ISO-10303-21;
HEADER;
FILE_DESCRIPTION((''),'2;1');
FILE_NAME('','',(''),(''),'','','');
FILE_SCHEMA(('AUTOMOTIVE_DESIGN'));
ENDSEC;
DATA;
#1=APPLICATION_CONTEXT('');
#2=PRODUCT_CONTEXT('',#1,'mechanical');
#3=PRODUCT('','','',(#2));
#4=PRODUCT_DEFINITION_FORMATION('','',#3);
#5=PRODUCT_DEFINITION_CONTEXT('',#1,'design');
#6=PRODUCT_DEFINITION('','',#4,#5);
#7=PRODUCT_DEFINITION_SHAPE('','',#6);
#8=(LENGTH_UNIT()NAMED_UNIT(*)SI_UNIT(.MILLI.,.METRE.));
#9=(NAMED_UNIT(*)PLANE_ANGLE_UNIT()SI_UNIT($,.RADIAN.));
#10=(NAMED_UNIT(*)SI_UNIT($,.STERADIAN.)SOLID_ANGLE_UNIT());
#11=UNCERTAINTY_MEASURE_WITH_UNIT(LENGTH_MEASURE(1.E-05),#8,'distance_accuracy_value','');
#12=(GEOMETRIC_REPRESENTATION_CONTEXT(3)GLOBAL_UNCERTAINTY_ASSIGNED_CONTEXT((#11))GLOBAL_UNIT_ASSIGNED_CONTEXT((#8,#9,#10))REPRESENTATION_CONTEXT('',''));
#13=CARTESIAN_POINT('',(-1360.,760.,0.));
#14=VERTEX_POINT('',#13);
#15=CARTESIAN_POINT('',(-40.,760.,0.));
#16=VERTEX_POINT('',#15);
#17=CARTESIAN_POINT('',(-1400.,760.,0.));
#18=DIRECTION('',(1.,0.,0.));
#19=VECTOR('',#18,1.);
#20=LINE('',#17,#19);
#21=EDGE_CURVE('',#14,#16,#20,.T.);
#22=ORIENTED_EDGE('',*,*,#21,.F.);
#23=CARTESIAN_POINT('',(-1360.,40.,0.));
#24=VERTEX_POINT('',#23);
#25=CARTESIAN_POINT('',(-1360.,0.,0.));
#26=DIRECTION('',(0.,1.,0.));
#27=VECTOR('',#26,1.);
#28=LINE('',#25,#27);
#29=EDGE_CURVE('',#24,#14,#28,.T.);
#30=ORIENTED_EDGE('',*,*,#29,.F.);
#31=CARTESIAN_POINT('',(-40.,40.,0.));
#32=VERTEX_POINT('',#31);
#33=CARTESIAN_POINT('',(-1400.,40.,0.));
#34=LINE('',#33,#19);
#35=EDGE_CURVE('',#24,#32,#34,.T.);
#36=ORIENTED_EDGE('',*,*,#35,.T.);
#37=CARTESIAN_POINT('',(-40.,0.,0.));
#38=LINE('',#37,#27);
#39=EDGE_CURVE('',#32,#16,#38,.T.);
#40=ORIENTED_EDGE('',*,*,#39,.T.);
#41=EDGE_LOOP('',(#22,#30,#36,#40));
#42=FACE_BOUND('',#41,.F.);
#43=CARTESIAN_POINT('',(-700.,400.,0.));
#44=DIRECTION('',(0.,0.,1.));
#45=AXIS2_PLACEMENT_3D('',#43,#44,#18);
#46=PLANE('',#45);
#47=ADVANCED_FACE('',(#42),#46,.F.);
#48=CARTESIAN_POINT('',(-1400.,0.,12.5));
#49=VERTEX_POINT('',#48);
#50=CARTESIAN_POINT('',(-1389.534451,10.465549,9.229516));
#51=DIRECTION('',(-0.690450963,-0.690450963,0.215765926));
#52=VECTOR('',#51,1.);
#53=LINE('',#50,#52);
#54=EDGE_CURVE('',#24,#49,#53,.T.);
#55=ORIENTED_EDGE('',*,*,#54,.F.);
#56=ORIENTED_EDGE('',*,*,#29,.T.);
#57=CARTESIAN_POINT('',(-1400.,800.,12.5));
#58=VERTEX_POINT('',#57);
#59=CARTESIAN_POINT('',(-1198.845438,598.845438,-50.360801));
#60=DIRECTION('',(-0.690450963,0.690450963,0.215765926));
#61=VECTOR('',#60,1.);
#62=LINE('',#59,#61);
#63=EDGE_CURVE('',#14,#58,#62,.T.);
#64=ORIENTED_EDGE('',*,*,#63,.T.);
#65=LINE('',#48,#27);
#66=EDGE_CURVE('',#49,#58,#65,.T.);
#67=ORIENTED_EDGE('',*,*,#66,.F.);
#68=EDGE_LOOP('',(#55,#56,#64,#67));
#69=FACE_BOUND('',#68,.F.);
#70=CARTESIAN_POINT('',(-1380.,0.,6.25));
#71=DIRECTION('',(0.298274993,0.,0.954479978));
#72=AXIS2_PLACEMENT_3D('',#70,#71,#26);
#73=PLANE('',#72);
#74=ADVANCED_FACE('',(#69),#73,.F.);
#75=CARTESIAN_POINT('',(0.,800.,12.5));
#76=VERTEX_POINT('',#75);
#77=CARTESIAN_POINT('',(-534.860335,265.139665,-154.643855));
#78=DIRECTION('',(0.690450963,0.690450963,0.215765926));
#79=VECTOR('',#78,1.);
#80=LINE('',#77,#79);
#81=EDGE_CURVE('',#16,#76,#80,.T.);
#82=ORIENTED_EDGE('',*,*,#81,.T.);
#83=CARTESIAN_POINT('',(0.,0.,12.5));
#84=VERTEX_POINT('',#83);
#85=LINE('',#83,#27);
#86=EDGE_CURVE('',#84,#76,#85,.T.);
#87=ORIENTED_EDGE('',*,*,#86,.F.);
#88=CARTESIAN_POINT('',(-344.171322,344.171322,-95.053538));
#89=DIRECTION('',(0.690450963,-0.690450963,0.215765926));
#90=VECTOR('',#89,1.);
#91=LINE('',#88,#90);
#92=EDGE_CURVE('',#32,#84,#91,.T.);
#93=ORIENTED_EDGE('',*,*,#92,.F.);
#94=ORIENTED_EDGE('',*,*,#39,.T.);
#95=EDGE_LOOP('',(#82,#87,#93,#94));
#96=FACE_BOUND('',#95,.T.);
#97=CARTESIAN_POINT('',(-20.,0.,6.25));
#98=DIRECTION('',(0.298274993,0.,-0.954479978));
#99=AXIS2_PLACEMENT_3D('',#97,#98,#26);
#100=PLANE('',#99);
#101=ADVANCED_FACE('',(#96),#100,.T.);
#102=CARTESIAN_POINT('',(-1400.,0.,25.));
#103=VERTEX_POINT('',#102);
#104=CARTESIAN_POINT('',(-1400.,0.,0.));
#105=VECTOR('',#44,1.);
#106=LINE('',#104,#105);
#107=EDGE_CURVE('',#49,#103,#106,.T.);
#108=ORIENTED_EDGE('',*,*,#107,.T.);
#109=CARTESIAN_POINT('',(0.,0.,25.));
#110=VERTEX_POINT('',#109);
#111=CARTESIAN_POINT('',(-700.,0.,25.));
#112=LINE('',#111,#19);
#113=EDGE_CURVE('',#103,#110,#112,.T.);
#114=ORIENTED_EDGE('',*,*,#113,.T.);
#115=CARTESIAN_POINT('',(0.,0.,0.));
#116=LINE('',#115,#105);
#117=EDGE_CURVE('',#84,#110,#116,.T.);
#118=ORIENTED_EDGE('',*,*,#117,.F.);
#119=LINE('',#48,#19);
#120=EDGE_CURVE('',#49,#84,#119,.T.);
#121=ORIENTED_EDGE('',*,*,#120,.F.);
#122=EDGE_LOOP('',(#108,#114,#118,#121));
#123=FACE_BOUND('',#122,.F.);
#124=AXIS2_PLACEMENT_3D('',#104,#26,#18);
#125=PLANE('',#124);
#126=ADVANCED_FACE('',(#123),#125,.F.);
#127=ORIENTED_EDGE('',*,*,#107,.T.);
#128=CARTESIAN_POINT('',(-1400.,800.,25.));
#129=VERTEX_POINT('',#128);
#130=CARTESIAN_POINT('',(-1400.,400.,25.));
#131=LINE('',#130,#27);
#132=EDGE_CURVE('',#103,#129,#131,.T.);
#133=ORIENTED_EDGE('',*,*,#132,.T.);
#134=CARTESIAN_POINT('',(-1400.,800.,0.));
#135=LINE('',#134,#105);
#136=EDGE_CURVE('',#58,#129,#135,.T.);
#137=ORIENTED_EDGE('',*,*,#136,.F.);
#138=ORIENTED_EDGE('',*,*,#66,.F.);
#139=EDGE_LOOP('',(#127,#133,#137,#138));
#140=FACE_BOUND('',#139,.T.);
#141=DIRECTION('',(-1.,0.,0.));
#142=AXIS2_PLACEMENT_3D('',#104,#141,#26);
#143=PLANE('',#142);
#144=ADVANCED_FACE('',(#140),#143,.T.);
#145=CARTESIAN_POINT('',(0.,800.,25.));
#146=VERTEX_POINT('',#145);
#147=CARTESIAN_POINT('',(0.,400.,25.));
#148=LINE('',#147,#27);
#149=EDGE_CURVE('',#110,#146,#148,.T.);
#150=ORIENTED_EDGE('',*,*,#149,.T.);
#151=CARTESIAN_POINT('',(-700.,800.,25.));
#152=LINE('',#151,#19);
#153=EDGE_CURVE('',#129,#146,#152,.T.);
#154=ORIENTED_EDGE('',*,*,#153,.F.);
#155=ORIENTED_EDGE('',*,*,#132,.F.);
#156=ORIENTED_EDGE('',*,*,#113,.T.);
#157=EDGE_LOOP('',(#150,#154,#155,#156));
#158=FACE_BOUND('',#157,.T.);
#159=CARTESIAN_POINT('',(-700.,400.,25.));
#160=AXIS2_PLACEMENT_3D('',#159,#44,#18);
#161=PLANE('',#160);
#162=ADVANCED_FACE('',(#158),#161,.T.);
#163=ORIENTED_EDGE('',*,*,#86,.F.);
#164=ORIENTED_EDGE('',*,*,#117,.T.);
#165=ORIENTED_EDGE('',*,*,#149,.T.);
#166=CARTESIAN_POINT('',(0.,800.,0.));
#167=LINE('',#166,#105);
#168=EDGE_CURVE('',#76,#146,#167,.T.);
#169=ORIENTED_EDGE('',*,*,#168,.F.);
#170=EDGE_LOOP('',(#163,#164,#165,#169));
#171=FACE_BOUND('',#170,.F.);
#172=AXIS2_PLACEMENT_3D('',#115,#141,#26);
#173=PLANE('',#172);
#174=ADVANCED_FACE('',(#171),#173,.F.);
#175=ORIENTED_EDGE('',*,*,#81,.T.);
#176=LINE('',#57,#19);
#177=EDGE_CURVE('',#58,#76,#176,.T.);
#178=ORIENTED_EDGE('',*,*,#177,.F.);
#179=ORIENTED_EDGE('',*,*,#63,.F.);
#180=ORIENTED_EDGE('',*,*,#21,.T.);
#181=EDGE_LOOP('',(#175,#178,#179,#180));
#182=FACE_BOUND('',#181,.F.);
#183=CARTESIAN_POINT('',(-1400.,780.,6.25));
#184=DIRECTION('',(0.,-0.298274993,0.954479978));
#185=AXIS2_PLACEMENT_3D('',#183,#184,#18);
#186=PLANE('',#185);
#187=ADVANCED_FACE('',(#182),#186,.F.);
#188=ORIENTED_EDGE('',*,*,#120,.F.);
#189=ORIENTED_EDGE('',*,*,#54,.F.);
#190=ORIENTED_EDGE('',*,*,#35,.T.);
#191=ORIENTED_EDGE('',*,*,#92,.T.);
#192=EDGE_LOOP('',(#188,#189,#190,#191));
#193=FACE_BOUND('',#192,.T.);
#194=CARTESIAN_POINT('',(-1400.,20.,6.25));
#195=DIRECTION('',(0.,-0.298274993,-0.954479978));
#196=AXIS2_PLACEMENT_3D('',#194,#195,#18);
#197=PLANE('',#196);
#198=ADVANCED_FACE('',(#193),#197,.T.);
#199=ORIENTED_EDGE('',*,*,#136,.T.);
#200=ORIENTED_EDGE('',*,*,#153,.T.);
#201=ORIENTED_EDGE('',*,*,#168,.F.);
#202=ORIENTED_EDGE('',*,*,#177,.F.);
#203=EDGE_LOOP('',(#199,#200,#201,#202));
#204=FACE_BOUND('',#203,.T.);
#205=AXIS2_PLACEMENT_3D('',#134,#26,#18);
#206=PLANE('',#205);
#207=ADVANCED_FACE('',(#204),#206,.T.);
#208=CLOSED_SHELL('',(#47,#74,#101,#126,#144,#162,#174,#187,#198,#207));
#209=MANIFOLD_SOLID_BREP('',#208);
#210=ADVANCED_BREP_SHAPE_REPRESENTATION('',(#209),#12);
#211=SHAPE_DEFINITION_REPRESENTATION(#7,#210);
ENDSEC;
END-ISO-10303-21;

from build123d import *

# Parameters (mm, degrees)
F0_W     = 1400
F0_H     = 800
F1_DEPTH = 25
F2_SIZE2 = 12.5
F2_SIZE  = 40


with BuildPart() as f1:
    # F0 (on Top) → F1 (new body)
    with BuildSketch(Plane.XY):
        with Locations((-700, 400)):
            Rectangle(F0_W, F0_H)
    extrude(amount=F1_DEPTH)

    # F2
    f2_edges = [f1.edges().sort_by_distance(p)[0] for p in [
        (-700, 0, 0),
        (0, 400, 0),
        (-700, 800, 0),
        (-1400, 400, 0),
    ]]
    f2_side = f1.faces().sort_by_distance((-700, 400, 0))[0]
    chamfer(f2_edges, length=F2_SIZE, length2=F2_SIZE2, reference=f2_side)


solid = f1.part
